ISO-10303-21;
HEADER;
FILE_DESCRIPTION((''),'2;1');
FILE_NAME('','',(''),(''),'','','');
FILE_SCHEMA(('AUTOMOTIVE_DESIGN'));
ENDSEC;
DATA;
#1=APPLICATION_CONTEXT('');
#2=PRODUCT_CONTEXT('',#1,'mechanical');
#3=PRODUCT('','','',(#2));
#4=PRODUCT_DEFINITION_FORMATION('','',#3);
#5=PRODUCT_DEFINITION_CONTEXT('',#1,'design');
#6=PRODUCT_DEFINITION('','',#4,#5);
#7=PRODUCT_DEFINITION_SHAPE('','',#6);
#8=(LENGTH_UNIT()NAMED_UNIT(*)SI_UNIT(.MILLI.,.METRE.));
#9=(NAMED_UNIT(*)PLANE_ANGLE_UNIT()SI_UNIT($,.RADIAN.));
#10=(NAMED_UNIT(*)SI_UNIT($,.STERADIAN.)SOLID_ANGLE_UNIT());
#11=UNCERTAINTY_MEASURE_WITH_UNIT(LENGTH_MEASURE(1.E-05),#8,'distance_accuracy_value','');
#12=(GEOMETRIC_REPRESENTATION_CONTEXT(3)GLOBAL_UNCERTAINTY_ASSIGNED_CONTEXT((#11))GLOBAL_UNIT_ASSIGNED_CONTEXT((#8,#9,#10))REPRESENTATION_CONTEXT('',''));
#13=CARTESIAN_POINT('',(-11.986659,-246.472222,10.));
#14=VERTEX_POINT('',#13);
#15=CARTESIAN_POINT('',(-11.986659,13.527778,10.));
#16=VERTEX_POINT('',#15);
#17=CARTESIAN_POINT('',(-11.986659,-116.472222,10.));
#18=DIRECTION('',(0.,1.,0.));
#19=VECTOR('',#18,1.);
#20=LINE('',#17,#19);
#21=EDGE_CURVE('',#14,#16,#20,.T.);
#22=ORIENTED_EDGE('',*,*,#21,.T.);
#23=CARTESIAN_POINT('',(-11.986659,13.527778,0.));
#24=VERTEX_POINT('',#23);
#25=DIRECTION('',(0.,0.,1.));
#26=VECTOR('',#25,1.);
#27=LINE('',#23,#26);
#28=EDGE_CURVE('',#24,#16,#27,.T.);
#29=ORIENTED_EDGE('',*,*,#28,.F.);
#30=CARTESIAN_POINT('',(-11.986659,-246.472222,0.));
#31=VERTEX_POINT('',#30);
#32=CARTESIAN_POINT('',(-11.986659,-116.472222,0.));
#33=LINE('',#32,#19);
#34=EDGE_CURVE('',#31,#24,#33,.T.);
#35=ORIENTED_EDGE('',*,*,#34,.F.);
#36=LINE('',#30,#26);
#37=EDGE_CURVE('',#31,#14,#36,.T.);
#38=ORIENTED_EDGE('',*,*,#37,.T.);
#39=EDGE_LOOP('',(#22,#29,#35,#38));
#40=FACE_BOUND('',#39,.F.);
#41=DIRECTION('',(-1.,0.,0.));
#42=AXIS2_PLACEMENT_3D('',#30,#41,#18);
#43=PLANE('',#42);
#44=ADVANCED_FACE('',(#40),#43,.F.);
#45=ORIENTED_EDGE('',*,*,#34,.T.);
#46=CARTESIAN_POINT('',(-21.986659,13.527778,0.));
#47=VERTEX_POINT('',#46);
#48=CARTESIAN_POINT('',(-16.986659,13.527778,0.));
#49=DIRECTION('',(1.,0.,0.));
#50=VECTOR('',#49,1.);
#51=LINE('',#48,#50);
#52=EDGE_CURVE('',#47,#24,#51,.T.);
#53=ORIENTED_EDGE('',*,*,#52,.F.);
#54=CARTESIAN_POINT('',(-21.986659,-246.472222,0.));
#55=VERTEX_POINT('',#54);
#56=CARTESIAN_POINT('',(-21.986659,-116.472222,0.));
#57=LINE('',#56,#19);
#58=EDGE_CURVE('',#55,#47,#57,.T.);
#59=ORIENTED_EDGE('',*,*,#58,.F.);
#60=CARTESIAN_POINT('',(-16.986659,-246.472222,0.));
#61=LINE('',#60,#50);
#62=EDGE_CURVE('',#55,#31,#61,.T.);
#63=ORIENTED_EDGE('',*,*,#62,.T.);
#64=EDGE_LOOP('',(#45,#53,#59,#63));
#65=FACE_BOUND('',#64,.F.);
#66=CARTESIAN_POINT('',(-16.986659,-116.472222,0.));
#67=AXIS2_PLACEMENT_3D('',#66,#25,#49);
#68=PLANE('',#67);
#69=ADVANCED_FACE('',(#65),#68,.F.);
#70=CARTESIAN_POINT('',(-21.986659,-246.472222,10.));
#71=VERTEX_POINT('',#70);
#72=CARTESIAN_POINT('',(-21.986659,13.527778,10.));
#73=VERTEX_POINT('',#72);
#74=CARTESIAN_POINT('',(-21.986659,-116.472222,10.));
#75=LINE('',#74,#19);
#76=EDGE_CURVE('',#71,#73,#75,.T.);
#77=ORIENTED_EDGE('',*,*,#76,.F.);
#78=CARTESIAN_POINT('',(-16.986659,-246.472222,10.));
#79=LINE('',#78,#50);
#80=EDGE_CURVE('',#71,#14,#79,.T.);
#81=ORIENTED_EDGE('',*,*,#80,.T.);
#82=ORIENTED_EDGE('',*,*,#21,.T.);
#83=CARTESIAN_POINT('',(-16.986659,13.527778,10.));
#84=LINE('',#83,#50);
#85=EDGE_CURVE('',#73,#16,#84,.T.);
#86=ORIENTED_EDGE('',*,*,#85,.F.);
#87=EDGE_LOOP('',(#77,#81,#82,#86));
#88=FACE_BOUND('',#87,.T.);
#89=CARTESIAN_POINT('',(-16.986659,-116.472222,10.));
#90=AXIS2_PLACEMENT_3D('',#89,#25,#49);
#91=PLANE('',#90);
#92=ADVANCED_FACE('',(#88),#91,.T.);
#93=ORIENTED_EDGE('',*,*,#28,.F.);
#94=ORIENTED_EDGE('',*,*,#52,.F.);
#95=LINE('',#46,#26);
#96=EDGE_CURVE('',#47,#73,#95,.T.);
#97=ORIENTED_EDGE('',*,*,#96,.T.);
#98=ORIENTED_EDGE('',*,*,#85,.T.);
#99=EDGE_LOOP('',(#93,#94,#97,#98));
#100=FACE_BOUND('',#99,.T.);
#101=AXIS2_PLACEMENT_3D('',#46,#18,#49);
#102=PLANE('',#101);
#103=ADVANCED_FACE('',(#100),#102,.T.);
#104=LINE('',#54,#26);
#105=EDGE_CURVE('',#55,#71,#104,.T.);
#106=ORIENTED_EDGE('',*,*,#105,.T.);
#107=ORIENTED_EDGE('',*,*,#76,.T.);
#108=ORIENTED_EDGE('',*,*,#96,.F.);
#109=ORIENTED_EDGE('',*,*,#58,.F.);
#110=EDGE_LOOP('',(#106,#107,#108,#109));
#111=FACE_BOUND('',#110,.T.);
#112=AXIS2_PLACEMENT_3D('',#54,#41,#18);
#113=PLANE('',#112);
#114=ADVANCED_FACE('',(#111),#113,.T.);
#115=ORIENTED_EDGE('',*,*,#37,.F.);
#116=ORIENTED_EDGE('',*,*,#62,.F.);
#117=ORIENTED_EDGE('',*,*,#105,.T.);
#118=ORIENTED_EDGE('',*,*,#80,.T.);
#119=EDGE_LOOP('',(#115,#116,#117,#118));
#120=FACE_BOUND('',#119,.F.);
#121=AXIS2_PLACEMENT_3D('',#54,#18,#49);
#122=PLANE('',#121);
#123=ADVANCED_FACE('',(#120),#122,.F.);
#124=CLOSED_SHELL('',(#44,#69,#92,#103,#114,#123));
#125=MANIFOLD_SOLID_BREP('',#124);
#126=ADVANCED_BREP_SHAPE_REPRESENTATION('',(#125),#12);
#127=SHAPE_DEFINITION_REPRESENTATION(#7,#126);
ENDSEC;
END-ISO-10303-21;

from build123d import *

# Parameters (mm, degrees)
ESQUISSE1_W        = 10
ESQUISSE1_H        = 260
BOSS_EXTRU_1_DEPTH = 10


with BuildPart() as part:
    # Esquisse1 → Boss.-Extru.1 (new body)
    with BuildSketch(Plane.XY):
        with Locations((-16.986659357, -116.472222222)):
            Rectangle(ESQUISSE1_W, ESQUISSE1_H)
    extrude(amount=BOSS_EXTRU_1_DEPTH)


solid = part.part
